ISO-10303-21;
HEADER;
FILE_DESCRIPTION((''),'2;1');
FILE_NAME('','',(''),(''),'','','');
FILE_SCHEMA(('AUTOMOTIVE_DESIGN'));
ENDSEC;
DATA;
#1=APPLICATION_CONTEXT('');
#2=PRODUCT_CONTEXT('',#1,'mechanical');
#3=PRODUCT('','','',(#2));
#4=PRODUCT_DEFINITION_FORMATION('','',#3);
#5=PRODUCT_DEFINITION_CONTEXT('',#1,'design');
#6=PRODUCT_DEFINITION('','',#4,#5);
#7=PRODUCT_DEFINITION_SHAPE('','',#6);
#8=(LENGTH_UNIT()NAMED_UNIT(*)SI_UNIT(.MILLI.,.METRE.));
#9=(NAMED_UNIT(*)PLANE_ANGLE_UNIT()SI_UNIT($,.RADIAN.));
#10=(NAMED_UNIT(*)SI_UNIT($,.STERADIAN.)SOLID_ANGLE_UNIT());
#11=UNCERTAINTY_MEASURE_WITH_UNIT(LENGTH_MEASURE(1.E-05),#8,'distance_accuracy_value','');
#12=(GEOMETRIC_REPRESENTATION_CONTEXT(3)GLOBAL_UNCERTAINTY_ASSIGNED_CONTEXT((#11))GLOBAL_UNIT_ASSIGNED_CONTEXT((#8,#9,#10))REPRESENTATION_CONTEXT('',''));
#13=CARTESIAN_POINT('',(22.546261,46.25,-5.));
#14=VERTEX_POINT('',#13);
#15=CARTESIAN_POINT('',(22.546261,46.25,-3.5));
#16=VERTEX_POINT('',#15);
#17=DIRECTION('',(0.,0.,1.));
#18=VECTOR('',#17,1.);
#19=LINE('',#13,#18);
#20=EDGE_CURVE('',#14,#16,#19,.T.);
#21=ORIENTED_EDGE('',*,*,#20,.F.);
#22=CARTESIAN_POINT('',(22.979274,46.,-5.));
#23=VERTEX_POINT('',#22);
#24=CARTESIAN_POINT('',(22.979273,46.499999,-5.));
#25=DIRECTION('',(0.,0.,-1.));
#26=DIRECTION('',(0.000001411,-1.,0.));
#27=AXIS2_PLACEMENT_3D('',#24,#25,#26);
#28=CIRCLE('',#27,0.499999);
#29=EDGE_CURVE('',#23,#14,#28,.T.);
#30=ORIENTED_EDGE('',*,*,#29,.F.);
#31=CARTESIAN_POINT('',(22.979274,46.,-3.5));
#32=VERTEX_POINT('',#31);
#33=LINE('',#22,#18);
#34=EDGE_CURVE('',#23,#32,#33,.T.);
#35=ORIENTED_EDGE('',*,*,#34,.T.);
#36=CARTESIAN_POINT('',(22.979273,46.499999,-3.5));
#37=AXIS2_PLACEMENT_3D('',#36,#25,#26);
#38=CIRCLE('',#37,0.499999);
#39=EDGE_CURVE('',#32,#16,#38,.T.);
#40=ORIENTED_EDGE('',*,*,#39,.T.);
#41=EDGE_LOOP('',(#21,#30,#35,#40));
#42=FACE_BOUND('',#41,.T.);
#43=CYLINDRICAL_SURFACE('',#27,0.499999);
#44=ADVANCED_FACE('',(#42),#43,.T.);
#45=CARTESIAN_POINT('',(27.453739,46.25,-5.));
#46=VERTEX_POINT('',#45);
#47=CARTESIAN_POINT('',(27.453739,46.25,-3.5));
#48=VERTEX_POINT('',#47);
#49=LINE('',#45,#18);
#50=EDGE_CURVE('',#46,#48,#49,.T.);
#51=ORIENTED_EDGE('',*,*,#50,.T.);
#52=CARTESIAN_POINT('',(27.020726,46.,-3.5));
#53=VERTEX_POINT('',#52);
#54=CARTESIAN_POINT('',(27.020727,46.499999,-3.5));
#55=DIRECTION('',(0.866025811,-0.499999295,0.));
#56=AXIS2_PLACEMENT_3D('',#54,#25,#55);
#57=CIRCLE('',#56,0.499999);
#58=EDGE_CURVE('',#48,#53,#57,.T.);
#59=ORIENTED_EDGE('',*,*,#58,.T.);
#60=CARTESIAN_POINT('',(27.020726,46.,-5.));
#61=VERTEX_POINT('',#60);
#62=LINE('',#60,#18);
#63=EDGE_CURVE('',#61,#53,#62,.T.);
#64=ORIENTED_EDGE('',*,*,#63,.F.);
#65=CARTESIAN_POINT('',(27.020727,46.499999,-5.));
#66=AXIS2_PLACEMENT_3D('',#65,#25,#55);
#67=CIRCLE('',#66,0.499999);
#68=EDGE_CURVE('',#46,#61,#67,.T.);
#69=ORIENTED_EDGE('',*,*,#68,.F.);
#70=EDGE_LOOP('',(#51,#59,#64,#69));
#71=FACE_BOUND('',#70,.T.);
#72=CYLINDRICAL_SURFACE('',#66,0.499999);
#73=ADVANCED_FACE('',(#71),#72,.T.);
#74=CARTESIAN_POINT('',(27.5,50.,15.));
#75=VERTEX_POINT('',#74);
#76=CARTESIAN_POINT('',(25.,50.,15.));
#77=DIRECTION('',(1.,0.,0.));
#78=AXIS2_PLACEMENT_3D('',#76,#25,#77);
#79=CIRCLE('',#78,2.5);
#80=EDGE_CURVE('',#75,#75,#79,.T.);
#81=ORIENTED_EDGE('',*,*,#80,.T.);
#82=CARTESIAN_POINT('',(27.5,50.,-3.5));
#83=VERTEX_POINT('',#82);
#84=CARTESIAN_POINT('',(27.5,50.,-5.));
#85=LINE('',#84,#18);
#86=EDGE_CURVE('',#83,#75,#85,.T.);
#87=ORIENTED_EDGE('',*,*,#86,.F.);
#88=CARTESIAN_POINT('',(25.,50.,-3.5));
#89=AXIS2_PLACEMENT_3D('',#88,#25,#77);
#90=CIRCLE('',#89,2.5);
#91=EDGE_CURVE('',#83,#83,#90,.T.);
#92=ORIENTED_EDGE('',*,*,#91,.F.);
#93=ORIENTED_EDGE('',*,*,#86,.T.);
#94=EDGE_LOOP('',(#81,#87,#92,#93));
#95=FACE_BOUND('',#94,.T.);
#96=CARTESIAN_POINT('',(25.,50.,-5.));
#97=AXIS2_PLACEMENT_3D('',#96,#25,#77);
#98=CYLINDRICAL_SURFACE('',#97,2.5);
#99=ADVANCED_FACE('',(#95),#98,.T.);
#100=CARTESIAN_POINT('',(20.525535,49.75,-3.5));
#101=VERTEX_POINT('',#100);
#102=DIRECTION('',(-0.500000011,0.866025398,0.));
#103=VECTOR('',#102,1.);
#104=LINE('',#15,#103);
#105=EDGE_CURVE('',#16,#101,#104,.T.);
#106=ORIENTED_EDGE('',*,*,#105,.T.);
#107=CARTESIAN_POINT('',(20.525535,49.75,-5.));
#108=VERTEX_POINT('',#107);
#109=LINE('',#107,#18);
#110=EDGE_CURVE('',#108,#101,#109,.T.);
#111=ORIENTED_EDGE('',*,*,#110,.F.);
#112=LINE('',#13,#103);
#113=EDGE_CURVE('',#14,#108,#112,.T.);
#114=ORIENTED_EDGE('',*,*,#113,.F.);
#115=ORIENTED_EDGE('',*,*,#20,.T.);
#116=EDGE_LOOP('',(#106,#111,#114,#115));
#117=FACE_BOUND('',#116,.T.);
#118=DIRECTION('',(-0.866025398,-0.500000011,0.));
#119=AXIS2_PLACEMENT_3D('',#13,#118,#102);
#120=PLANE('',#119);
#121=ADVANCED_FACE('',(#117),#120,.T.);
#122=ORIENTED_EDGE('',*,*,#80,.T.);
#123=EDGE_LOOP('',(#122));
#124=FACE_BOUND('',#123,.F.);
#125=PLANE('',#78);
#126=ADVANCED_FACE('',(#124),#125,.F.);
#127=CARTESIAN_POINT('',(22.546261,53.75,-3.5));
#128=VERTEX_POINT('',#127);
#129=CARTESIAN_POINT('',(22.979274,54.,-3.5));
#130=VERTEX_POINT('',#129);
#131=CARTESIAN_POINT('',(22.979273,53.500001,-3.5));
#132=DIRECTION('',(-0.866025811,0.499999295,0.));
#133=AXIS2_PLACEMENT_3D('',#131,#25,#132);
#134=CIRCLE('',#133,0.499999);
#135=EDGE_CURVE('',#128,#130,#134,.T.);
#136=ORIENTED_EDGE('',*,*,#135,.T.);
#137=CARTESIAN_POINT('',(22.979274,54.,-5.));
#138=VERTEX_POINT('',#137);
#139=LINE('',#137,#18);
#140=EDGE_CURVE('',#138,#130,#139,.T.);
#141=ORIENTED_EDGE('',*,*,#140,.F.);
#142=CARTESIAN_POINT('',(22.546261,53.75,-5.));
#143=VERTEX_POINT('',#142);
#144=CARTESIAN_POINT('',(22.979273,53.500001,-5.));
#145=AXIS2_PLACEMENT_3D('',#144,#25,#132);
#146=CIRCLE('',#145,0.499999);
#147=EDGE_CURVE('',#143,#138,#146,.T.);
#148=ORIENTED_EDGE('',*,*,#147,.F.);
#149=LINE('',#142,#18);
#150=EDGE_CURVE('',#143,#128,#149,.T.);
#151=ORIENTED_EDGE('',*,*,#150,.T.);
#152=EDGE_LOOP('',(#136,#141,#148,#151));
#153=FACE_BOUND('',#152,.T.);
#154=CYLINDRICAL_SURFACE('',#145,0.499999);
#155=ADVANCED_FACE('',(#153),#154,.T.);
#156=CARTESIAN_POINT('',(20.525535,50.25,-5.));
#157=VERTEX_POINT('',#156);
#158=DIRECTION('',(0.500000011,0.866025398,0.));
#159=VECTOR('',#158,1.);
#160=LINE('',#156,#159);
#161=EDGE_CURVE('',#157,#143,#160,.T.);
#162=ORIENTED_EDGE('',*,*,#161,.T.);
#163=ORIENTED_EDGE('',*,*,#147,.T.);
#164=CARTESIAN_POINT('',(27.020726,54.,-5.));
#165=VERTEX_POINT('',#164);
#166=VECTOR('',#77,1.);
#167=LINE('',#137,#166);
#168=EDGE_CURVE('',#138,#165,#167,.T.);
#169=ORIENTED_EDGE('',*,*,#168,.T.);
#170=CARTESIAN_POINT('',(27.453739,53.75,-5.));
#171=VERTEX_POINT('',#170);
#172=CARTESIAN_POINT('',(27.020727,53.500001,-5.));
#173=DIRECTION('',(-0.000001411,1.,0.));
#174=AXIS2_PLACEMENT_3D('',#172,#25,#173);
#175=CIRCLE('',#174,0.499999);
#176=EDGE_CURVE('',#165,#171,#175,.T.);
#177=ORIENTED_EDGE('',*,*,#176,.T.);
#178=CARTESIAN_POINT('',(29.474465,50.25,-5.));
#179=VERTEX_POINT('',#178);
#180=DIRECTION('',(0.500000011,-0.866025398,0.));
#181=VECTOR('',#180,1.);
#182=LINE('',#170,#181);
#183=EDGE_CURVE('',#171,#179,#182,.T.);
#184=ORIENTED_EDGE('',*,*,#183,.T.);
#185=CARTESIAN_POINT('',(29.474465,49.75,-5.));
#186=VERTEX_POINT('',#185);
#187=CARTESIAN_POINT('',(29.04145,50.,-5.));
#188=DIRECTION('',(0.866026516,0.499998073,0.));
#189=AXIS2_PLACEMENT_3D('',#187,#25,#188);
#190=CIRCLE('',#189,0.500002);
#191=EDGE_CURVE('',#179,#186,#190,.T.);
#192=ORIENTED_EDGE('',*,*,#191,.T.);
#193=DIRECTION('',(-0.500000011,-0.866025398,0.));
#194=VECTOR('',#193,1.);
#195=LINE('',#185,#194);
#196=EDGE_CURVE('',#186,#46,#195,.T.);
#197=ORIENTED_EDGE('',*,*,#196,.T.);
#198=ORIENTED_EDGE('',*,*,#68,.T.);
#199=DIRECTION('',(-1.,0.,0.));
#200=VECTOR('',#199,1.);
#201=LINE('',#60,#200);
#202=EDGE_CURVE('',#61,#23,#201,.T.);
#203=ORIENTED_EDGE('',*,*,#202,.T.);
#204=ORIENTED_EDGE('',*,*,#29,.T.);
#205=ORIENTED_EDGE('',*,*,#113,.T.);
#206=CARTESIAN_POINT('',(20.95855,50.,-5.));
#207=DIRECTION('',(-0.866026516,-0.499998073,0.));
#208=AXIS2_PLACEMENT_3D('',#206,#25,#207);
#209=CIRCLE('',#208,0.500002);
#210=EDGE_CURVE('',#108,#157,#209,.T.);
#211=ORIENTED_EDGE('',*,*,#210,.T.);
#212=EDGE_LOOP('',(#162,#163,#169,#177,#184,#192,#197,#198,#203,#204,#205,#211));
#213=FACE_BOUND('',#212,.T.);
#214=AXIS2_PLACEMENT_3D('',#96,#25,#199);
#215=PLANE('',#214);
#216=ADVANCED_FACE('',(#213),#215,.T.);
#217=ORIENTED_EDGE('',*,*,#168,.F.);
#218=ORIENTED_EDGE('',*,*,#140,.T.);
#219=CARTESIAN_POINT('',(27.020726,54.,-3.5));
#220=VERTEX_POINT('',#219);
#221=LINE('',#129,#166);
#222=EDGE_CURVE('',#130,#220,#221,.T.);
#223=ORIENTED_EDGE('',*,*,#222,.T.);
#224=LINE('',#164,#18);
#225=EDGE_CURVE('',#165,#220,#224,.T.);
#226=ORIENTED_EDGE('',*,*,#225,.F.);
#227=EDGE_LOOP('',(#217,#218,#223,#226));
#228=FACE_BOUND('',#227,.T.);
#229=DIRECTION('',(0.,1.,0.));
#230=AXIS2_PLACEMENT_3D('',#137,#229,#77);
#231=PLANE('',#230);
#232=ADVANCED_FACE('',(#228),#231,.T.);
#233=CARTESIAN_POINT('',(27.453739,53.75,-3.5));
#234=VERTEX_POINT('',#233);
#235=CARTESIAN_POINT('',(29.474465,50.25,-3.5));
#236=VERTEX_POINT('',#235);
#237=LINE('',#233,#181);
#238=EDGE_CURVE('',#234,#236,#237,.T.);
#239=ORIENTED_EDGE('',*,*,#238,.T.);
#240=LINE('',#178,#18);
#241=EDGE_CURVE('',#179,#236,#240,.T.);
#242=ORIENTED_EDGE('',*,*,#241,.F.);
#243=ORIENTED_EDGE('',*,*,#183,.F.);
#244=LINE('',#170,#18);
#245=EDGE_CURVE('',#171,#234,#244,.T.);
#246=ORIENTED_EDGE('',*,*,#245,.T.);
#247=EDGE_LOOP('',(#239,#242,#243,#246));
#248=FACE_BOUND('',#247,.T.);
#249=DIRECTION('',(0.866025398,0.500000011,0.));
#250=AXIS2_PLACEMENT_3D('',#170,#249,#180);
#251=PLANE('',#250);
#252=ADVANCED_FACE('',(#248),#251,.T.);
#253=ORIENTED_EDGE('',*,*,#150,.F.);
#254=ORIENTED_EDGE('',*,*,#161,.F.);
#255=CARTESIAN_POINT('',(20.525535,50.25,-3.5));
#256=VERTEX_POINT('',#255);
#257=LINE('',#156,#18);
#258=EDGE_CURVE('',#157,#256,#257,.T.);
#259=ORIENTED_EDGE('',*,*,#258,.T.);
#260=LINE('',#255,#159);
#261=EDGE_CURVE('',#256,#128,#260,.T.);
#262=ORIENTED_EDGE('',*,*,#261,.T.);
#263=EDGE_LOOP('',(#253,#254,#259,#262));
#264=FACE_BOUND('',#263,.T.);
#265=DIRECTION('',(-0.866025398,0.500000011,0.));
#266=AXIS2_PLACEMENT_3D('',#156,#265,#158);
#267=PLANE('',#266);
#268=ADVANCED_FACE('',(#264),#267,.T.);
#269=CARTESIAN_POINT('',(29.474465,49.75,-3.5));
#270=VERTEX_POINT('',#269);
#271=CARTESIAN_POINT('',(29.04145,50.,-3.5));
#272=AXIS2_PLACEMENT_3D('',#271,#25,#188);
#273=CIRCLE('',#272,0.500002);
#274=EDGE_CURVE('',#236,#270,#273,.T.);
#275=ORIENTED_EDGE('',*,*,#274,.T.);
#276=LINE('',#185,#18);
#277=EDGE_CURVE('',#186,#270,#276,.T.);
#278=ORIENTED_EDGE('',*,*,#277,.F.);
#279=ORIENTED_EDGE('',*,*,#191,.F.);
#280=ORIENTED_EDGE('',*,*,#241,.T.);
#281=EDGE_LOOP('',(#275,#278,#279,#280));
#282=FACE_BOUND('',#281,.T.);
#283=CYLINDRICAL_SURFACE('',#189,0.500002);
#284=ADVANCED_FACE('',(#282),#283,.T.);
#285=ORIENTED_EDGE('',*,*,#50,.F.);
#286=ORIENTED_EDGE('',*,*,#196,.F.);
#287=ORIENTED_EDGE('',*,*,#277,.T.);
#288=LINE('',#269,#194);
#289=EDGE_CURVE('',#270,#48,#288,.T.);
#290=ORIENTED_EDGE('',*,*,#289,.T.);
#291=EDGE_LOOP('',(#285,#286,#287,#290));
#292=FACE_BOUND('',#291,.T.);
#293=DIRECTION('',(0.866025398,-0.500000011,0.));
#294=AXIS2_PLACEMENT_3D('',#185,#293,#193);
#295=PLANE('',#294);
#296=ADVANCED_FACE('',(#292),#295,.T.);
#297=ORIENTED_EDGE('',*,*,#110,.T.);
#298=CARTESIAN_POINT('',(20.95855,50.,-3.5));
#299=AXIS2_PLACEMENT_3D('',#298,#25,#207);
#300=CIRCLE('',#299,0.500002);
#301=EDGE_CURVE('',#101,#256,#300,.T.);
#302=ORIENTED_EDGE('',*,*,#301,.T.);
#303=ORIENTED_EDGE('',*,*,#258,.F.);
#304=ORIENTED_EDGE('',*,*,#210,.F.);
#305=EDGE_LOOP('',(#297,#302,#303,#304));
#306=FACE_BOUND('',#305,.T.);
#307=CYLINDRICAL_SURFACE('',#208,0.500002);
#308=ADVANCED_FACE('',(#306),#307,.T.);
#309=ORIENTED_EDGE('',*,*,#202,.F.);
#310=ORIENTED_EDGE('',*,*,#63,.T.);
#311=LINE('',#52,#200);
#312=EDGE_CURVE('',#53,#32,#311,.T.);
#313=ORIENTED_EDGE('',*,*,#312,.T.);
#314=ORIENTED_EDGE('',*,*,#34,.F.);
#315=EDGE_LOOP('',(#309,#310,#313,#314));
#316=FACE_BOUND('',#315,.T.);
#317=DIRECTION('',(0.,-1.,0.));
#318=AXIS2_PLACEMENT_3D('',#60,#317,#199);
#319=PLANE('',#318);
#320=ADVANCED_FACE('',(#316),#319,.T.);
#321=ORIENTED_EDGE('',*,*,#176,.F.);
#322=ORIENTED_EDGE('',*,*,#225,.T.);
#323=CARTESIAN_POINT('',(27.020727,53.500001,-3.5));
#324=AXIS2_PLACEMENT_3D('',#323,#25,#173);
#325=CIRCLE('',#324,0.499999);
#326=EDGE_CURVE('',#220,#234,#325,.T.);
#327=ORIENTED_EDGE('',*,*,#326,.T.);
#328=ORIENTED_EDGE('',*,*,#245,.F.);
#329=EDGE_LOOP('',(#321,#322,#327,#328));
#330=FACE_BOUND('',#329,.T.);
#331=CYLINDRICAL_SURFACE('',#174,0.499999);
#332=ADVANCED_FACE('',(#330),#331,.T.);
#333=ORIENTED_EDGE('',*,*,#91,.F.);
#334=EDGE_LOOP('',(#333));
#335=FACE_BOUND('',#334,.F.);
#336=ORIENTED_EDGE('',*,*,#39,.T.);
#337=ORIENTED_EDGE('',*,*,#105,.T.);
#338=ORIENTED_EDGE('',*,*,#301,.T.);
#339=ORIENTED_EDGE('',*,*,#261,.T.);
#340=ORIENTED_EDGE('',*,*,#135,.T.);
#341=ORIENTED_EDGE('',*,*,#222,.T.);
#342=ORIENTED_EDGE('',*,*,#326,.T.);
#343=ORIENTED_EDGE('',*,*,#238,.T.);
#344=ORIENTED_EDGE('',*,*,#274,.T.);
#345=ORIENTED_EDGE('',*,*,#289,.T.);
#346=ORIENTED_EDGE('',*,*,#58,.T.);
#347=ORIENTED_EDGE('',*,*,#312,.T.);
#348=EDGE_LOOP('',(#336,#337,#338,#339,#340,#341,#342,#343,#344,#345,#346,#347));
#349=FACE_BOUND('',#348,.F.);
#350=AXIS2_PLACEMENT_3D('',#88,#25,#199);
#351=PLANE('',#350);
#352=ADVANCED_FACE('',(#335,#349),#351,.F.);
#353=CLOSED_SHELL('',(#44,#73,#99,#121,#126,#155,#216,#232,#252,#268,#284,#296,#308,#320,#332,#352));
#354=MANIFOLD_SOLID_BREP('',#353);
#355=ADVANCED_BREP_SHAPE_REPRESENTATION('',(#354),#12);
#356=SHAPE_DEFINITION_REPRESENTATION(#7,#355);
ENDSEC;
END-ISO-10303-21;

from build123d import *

# Parameters (mm, degrees)
EXTRUDE008_DEPTH = 1.5
CIRCLE_R         = 2.5
EXTRUDE007_DEPTH = 20


with BuildPart() as extrude008:
    # Polygon → Extrude008 (new body)
    with BuildSketch(Plane.XY):
        with BuildLine():
            Line((2.453739, 3.75), (4.474465, 0.25))
            ThreePointArc((4.474465, 0.25), (4.541452, 0), (4.474465, -0.25))
            Line((4.474465, -0.25), (2.453739, -3.75))
            ThreePointArc((2.453739, -3.75), (2.270726, -3.933013), (2.020726, -4))
            Line((2.020726, -4), (-2.020726, -4))
            ThreePointArc((-2.020726, -4), (-2.270726, -3.933013), (-2.453739, -3.75))
            Line((-2.453739, -3.75), (-4.474465, -0.25))
            ThreePointArc((-4.474465, -0.25), (-4.541452, 0), (-4.474465, 0.25))
            Line((-4.474465, 0.25), (-2.453739, 3.75))
            ThreePointArc((-2.453739, 3.75), (-2.270726, 3.933013), (-2.020726, 4))
            Line((-2.020726, 4), (2.020726, 4))
            ThreePointArc((2.020726, 4), (2.270726, 3.933013), (2.453739, 3.75))
        make_face()
    extrude(amount=EXTRUDE008_DEPTH)


with BuildPart() as vis:
    # Circle → Extrude007 (new body)
    with BuildSketch(Plane(origin=(0, 0, 0), x_dir=(1, 0, 0), z_dir=(0, 0, -1))):
        Circle(CIRCLE_R)
    extrude(amount=-EXTRUDE007_DEPTH)

    # Fusion004: union Extrude008
    add(extrude008.part)


with BuildPart() as vis_1:
    # Fusion004 placement: moved
    add(vis.part.moved(Location((25, 50, -5))))


solid = vis_1.part
